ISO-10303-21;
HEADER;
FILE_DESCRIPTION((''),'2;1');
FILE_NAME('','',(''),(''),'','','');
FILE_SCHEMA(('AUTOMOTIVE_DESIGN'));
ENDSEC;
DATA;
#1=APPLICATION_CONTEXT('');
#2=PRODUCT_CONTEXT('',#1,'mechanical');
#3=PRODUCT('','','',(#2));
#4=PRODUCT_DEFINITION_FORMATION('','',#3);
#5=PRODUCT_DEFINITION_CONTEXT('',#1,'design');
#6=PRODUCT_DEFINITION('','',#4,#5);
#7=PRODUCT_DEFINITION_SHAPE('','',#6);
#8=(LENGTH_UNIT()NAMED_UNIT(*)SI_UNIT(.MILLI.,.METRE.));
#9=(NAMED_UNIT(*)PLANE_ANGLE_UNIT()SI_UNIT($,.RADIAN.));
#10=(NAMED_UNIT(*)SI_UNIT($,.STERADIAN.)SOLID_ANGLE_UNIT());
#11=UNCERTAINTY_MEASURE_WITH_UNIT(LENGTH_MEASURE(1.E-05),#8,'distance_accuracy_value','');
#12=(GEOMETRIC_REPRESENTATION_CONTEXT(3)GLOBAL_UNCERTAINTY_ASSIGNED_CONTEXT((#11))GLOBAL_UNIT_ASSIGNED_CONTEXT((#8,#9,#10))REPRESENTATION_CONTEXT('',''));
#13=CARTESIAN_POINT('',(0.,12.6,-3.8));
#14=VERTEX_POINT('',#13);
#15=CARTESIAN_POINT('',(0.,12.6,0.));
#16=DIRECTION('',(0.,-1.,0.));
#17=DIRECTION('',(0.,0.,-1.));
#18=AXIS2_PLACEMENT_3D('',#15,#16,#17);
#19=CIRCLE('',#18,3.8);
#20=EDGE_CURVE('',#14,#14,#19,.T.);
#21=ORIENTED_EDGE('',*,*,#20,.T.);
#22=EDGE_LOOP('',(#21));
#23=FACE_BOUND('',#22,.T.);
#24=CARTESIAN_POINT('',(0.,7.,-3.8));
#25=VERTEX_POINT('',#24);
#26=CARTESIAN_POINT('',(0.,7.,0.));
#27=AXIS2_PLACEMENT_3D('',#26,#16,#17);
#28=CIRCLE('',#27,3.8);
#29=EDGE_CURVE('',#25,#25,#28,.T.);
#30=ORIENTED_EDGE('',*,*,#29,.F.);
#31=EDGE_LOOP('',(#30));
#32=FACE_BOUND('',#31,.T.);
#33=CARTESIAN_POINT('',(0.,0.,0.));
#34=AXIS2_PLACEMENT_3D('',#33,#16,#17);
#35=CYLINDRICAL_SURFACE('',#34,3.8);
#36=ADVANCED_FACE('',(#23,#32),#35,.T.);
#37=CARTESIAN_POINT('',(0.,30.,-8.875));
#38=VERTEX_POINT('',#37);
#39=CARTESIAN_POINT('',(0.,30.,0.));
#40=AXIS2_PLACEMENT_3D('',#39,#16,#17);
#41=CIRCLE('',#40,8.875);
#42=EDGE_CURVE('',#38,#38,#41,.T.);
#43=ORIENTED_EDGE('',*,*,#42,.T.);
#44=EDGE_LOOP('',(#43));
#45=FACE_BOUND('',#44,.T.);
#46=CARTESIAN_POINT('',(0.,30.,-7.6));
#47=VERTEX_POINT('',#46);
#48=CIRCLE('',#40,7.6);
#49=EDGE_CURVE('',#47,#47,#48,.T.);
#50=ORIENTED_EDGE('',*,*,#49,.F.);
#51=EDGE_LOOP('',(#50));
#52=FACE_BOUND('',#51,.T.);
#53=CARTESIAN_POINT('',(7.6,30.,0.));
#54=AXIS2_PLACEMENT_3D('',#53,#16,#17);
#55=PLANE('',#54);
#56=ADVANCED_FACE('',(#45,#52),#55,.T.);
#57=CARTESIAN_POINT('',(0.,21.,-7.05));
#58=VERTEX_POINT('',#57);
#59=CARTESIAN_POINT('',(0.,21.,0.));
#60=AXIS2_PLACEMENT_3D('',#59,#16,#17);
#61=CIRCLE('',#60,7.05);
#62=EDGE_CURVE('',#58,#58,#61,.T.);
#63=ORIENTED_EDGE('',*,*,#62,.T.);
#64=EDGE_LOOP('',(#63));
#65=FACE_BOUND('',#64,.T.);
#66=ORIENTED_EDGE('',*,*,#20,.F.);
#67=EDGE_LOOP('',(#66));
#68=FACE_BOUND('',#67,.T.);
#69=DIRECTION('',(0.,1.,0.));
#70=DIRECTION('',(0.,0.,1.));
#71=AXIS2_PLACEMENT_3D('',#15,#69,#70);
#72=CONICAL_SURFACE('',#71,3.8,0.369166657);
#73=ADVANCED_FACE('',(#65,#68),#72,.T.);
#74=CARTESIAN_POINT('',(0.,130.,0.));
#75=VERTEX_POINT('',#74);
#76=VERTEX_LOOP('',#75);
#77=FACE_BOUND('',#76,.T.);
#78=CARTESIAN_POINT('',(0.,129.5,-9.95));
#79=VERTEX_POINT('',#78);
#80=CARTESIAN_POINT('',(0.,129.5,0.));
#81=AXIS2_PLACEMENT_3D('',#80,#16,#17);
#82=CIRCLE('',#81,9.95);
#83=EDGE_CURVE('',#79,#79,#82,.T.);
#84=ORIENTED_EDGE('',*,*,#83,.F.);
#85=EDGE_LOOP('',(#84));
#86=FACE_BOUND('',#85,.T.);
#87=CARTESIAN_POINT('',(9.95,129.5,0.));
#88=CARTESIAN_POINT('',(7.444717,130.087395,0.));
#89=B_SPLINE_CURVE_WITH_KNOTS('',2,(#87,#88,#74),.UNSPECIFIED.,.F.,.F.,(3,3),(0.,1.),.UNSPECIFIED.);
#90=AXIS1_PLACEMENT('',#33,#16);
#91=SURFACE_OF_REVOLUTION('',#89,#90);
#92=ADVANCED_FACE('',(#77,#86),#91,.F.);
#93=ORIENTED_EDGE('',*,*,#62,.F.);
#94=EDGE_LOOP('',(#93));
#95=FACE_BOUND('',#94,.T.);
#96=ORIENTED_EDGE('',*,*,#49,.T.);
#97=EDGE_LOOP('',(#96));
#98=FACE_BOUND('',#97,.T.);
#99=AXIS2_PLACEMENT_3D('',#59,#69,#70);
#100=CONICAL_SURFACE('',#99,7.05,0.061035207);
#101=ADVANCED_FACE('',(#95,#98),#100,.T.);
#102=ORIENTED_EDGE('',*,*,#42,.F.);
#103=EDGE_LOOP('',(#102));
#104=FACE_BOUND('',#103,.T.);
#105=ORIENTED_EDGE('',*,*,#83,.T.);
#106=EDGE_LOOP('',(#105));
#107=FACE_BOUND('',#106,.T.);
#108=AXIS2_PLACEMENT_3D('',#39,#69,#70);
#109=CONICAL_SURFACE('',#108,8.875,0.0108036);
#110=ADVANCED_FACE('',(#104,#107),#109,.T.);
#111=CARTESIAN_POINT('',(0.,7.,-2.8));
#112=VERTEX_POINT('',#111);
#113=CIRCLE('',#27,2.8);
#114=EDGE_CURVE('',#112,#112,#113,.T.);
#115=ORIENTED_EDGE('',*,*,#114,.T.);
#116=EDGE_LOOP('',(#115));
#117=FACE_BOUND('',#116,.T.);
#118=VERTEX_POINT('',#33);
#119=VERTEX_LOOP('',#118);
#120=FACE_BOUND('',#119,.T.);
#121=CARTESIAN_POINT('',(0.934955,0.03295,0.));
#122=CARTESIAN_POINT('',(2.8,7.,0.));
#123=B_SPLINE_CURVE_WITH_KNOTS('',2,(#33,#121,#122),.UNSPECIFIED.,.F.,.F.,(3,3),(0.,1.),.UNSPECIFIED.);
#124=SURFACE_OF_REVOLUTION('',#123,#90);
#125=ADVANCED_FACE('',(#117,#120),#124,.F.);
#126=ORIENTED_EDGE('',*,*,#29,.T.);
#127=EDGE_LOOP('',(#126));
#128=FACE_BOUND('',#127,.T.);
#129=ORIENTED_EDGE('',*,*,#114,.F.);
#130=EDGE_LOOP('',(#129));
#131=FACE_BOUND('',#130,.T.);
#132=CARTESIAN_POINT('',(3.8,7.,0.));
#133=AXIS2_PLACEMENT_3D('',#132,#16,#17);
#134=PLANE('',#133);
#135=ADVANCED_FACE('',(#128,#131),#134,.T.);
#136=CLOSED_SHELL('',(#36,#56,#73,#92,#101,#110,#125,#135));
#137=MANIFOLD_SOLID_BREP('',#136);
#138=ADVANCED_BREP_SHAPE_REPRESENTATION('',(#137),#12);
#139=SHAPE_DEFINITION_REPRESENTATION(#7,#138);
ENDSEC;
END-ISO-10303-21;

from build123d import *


with BuildPart() as part:
    # Sketch1 → Revolve1 (revolve)
    with BuildSketch(Plane.XY, mode=Mode.PRIVATE) as revolve1_sk:
        with BuildLine():
            Line((0, 0), (0, 130))
            add(Edge.make_bspline(
                [(0, 130), (7.444716878, 130.087394751), (9.95, 129.5)],
                knots=[0, 0, 0, 1, 1, 1], degree=2))
            Line((9.95, 129.5), (8.875, 30))
            Line((8.875, 30), (7.6, 30))
            Line((7.6, 30), (7.05, 21))
            Line((7.05, 21), (3.8, 12.6))
            Line((3.8, 12.6), (3.8, 7))
            Line((3.8, 7), (2.8, 7))
            add(Edge.make_bspline(
                [(0, 0), (0.934954865, 0.032949741), (2.8, 7)],
                knots=[0, 0, 0, 1, 1, 1], degree=2))
        make_face()
    revolve(revolve1_sk.sketch.rotate(Axis((0, 0, 0), (0, 1, 0)), 90), axis=Axis((0, 0, 0), (0, 1, 0)))


solid = part.part
